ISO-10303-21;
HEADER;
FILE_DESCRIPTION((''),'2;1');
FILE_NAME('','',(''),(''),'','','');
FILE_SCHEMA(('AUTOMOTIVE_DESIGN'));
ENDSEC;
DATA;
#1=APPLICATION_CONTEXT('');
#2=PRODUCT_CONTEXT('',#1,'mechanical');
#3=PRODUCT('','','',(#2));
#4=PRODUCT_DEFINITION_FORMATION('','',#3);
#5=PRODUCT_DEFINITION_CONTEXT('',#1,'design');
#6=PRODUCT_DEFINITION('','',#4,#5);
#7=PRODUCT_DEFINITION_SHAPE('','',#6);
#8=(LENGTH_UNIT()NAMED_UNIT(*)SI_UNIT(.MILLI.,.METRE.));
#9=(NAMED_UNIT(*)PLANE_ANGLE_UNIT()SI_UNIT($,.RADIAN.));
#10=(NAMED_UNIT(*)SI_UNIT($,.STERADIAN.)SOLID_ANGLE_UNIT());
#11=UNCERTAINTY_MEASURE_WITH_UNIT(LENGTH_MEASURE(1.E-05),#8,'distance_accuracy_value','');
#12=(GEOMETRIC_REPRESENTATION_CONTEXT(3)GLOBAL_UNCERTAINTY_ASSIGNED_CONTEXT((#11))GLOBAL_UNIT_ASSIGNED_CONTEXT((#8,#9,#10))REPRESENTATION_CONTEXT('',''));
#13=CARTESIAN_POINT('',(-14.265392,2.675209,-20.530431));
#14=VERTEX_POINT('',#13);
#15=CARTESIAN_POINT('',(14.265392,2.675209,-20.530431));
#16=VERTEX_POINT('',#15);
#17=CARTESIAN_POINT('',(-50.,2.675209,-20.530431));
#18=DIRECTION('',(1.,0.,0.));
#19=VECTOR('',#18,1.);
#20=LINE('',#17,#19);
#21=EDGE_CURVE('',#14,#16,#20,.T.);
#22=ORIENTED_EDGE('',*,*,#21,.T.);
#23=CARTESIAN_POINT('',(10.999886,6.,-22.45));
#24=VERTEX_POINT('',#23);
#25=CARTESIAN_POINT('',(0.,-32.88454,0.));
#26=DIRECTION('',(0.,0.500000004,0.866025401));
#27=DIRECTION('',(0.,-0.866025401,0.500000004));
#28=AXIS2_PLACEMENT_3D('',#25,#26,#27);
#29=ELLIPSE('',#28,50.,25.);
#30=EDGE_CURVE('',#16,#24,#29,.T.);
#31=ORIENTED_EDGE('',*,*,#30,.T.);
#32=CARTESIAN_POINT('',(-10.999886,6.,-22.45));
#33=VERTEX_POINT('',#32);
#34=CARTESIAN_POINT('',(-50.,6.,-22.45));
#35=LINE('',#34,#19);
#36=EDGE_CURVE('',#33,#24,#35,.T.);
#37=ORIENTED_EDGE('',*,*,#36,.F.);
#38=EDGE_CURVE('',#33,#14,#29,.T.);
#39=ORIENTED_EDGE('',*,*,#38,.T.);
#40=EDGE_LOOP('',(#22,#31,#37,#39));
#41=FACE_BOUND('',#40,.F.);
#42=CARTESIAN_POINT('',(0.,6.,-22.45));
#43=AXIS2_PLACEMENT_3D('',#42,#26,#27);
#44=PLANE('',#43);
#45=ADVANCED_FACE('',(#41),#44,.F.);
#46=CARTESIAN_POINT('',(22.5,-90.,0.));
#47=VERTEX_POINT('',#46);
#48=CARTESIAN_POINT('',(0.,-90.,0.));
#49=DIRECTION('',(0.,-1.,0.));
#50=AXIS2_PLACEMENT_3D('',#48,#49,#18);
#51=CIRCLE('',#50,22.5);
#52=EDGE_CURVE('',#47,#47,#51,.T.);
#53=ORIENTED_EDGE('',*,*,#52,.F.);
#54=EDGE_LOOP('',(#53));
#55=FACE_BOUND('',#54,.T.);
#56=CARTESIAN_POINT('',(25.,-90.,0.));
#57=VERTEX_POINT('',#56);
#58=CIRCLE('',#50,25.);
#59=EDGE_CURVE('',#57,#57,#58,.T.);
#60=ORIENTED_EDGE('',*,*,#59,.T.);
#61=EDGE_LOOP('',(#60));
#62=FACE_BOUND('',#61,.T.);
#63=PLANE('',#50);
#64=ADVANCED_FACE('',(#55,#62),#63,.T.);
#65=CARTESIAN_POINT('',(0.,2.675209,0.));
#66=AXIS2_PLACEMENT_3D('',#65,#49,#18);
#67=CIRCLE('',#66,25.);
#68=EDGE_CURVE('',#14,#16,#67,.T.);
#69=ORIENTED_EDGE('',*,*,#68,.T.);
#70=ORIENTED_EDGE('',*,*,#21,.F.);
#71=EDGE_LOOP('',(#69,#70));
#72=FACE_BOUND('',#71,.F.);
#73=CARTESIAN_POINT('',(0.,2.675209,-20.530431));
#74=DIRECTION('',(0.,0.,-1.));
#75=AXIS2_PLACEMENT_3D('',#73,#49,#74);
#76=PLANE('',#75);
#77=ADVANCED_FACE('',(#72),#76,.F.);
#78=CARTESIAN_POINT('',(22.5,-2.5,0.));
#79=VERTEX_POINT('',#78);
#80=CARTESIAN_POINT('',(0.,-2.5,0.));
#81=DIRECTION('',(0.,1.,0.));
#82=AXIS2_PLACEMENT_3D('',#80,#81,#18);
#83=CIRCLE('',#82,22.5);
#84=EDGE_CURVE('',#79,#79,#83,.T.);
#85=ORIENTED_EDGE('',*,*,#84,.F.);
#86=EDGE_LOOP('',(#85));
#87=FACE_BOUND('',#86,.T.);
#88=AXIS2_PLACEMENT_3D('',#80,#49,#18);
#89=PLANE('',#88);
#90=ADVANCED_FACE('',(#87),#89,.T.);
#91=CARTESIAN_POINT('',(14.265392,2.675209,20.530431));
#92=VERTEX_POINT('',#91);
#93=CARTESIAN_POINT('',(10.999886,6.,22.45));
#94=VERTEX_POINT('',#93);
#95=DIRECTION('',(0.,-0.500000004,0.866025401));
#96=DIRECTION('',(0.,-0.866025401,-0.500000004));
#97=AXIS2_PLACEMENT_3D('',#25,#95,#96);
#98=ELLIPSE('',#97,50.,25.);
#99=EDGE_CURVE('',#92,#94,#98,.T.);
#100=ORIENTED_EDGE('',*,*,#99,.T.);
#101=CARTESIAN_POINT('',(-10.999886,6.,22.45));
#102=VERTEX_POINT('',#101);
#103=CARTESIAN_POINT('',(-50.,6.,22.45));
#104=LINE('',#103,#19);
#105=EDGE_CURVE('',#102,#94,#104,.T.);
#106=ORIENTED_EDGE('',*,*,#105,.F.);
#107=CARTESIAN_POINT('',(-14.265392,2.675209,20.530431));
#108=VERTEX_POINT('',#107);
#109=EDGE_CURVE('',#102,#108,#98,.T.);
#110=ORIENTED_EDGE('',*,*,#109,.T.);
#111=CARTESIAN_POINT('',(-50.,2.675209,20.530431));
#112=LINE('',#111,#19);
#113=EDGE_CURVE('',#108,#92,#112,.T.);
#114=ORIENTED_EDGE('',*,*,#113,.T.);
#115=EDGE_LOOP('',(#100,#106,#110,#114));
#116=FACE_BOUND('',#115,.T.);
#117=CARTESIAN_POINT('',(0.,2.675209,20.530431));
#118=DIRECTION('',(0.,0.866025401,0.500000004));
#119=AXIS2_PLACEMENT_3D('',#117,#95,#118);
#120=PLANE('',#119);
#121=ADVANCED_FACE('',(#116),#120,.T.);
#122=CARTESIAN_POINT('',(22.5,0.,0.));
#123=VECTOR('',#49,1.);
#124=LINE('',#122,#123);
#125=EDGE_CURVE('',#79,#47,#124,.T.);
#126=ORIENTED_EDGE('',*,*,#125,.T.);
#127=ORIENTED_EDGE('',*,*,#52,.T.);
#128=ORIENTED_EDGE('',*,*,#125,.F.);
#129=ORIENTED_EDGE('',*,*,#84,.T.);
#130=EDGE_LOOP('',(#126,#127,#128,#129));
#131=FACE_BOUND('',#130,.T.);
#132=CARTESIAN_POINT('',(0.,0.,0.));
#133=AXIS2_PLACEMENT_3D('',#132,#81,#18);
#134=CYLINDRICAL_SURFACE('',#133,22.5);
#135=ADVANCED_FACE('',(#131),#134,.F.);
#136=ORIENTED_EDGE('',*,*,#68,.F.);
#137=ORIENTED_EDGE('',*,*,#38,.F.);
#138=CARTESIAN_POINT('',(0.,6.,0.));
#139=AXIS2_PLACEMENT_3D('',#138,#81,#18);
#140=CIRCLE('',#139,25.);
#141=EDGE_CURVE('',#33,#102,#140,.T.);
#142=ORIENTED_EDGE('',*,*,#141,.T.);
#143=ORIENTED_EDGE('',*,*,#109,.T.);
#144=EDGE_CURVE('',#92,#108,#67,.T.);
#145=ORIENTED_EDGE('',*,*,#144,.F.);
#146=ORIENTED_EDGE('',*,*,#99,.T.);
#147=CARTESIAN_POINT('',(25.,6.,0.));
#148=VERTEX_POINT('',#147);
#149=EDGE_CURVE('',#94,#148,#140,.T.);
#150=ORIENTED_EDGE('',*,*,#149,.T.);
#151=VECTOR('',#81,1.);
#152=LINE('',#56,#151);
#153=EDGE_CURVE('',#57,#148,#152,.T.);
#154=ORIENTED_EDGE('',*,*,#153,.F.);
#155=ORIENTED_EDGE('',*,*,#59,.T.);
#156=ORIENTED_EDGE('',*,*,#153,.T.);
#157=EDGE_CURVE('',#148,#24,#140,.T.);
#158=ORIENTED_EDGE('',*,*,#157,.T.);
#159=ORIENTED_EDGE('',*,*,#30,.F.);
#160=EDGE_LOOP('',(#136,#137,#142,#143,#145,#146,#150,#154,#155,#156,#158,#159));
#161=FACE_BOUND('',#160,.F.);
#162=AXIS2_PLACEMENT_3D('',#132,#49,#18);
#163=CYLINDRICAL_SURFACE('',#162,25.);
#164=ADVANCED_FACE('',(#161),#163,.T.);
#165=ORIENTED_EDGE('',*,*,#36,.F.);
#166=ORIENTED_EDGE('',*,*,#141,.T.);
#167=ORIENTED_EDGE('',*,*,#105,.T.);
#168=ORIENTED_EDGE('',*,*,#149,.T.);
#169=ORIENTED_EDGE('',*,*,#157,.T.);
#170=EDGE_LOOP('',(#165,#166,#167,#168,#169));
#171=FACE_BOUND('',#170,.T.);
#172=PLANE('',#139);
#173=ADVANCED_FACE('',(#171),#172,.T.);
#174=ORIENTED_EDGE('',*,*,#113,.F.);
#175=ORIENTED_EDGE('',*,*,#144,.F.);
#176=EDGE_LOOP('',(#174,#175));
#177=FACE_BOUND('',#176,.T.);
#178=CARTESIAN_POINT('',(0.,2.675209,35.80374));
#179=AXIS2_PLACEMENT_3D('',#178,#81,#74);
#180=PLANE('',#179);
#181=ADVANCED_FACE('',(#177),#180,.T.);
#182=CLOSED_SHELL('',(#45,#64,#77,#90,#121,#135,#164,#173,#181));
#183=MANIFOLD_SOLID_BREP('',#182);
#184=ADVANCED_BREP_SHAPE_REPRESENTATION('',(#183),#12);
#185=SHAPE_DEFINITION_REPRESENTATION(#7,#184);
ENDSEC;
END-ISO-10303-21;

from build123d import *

# Parameters (mm, degrees)
F0_R      = 25
F1_DEPTH  = 90
F2_T      = -2.5
F1_FACE_R = 25
F3_DEPTH  = 6
F5_DEPTH  = 50


with BuildPart() as f1:
    # F0 (on Front) → F1 (new body)
    with BuildSketch(Plane.XZ):
        Circle(F0_R)
    extrude(amount=F1_DEPTH)

    # F2
    f2_openings = [f1.faces().sort_by_distance(p)[0] for p in [
        (0, -90, 0),
    ]]
    offset(amount=F2_T, openings=f2_openings)

    # F1_face (on face) → F3 (join)
    with BuildSketch(Plane(origin=(0, 0, 0), x_dir=(1, 0, 0), z_dir=(0, 1, 0))):
        Circle(F1_FACE_R)
    extrude(amount=F3_DEPTH)

    # F4 (on Right) → F5 (cut, symmetric)
    with BuildSketch(Plane.YZ):
        Polygon((2.675209, 35.80374), (2.675209, 20.530431), (6, 22.45), (6, 35.80374), align=None)
        Polygon((6, -37.240567), (6, -22.45), (2.675209, -20.530431), (2.675209, -37.240567), align=None)
    extrude(amount=F5_DEPTH, both=True, mode=Mode.SUBTRACT)


solid = f1.part
